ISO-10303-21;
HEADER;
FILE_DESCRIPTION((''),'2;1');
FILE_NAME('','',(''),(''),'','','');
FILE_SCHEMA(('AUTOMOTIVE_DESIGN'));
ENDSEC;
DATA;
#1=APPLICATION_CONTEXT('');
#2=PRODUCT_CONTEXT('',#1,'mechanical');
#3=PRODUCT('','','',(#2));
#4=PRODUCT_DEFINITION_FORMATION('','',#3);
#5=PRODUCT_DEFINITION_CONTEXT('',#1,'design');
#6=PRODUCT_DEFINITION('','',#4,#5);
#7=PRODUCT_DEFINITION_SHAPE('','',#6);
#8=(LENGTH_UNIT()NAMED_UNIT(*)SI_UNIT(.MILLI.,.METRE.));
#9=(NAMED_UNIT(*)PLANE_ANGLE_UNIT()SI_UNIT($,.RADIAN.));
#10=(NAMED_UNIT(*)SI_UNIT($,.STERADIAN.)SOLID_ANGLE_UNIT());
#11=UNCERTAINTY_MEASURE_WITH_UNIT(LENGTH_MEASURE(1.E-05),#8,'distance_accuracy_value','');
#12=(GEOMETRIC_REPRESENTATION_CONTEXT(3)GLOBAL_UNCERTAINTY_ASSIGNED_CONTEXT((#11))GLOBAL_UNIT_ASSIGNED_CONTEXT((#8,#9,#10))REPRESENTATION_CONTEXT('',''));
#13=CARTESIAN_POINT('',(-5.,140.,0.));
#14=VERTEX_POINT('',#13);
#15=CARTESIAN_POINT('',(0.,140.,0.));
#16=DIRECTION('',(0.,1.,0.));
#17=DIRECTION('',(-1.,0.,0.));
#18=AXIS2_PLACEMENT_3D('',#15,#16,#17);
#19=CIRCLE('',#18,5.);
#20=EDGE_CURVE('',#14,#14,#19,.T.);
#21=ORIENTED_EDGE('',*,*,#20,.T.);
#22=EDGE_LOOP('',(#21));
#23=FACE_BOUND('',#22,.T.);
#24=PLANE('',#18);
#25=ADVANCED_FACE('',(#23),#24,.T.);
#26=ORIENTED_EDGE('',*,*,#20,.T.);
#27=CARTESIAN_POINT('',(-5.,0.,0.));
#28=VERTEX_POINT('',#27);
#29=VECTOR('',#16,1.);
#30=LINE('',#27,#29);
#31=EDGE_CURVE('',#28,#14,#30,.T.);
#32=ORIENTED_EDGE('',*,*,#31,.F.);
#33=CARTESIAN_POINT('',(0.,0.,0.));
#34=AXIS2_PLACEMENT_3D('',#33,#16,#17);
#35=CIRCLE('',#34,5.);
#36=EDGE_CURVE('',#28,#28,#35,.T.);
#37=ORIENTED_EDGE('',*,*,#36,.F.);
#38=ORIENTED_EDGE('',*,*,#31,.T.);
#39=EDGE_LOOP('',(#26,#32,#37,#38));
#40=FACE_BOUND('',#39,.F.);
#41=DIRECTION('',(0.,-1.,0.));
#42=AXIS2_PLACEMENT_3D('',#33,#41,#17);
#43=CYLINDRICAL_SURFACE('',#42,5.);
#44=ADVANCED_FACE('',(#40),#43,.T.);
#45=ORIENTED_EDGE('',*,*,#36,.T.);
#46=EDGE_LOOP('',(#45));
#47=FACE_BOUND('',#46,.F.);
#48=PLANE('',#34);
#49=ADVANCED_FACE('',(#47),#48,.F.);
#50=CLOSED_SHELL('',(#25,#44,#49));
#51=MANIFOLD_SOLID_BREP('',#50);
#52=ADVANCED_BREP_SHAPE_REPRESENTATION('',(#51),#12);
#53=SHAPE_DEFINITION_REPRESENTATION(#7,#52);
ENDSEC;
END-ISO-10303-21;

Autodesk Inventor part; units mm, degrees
ref_plane "YZ Plane" through (0, 0, 0) normal (1, 0, 0) x (0, 1, 0)
ref_plane "XZ Plane" through (0, 0, 0) normal (0, 1, 0) x (-1, 0, 0)
ref_plane "XY Plane" through (0, 0, 0) normal (0, 0, 1) x (1, 0, 0)
sketch "Sketch1" plane through (0, 0, 0) normal (0, 1, 0) x (-1, 0, 0)
  circle A0 centre (0, 0) radius 5
  dimension "d0" = 10
extrude "Extrusion1" add sketch "Sketch1" along normal blind 140
properties part number "shaft5"
